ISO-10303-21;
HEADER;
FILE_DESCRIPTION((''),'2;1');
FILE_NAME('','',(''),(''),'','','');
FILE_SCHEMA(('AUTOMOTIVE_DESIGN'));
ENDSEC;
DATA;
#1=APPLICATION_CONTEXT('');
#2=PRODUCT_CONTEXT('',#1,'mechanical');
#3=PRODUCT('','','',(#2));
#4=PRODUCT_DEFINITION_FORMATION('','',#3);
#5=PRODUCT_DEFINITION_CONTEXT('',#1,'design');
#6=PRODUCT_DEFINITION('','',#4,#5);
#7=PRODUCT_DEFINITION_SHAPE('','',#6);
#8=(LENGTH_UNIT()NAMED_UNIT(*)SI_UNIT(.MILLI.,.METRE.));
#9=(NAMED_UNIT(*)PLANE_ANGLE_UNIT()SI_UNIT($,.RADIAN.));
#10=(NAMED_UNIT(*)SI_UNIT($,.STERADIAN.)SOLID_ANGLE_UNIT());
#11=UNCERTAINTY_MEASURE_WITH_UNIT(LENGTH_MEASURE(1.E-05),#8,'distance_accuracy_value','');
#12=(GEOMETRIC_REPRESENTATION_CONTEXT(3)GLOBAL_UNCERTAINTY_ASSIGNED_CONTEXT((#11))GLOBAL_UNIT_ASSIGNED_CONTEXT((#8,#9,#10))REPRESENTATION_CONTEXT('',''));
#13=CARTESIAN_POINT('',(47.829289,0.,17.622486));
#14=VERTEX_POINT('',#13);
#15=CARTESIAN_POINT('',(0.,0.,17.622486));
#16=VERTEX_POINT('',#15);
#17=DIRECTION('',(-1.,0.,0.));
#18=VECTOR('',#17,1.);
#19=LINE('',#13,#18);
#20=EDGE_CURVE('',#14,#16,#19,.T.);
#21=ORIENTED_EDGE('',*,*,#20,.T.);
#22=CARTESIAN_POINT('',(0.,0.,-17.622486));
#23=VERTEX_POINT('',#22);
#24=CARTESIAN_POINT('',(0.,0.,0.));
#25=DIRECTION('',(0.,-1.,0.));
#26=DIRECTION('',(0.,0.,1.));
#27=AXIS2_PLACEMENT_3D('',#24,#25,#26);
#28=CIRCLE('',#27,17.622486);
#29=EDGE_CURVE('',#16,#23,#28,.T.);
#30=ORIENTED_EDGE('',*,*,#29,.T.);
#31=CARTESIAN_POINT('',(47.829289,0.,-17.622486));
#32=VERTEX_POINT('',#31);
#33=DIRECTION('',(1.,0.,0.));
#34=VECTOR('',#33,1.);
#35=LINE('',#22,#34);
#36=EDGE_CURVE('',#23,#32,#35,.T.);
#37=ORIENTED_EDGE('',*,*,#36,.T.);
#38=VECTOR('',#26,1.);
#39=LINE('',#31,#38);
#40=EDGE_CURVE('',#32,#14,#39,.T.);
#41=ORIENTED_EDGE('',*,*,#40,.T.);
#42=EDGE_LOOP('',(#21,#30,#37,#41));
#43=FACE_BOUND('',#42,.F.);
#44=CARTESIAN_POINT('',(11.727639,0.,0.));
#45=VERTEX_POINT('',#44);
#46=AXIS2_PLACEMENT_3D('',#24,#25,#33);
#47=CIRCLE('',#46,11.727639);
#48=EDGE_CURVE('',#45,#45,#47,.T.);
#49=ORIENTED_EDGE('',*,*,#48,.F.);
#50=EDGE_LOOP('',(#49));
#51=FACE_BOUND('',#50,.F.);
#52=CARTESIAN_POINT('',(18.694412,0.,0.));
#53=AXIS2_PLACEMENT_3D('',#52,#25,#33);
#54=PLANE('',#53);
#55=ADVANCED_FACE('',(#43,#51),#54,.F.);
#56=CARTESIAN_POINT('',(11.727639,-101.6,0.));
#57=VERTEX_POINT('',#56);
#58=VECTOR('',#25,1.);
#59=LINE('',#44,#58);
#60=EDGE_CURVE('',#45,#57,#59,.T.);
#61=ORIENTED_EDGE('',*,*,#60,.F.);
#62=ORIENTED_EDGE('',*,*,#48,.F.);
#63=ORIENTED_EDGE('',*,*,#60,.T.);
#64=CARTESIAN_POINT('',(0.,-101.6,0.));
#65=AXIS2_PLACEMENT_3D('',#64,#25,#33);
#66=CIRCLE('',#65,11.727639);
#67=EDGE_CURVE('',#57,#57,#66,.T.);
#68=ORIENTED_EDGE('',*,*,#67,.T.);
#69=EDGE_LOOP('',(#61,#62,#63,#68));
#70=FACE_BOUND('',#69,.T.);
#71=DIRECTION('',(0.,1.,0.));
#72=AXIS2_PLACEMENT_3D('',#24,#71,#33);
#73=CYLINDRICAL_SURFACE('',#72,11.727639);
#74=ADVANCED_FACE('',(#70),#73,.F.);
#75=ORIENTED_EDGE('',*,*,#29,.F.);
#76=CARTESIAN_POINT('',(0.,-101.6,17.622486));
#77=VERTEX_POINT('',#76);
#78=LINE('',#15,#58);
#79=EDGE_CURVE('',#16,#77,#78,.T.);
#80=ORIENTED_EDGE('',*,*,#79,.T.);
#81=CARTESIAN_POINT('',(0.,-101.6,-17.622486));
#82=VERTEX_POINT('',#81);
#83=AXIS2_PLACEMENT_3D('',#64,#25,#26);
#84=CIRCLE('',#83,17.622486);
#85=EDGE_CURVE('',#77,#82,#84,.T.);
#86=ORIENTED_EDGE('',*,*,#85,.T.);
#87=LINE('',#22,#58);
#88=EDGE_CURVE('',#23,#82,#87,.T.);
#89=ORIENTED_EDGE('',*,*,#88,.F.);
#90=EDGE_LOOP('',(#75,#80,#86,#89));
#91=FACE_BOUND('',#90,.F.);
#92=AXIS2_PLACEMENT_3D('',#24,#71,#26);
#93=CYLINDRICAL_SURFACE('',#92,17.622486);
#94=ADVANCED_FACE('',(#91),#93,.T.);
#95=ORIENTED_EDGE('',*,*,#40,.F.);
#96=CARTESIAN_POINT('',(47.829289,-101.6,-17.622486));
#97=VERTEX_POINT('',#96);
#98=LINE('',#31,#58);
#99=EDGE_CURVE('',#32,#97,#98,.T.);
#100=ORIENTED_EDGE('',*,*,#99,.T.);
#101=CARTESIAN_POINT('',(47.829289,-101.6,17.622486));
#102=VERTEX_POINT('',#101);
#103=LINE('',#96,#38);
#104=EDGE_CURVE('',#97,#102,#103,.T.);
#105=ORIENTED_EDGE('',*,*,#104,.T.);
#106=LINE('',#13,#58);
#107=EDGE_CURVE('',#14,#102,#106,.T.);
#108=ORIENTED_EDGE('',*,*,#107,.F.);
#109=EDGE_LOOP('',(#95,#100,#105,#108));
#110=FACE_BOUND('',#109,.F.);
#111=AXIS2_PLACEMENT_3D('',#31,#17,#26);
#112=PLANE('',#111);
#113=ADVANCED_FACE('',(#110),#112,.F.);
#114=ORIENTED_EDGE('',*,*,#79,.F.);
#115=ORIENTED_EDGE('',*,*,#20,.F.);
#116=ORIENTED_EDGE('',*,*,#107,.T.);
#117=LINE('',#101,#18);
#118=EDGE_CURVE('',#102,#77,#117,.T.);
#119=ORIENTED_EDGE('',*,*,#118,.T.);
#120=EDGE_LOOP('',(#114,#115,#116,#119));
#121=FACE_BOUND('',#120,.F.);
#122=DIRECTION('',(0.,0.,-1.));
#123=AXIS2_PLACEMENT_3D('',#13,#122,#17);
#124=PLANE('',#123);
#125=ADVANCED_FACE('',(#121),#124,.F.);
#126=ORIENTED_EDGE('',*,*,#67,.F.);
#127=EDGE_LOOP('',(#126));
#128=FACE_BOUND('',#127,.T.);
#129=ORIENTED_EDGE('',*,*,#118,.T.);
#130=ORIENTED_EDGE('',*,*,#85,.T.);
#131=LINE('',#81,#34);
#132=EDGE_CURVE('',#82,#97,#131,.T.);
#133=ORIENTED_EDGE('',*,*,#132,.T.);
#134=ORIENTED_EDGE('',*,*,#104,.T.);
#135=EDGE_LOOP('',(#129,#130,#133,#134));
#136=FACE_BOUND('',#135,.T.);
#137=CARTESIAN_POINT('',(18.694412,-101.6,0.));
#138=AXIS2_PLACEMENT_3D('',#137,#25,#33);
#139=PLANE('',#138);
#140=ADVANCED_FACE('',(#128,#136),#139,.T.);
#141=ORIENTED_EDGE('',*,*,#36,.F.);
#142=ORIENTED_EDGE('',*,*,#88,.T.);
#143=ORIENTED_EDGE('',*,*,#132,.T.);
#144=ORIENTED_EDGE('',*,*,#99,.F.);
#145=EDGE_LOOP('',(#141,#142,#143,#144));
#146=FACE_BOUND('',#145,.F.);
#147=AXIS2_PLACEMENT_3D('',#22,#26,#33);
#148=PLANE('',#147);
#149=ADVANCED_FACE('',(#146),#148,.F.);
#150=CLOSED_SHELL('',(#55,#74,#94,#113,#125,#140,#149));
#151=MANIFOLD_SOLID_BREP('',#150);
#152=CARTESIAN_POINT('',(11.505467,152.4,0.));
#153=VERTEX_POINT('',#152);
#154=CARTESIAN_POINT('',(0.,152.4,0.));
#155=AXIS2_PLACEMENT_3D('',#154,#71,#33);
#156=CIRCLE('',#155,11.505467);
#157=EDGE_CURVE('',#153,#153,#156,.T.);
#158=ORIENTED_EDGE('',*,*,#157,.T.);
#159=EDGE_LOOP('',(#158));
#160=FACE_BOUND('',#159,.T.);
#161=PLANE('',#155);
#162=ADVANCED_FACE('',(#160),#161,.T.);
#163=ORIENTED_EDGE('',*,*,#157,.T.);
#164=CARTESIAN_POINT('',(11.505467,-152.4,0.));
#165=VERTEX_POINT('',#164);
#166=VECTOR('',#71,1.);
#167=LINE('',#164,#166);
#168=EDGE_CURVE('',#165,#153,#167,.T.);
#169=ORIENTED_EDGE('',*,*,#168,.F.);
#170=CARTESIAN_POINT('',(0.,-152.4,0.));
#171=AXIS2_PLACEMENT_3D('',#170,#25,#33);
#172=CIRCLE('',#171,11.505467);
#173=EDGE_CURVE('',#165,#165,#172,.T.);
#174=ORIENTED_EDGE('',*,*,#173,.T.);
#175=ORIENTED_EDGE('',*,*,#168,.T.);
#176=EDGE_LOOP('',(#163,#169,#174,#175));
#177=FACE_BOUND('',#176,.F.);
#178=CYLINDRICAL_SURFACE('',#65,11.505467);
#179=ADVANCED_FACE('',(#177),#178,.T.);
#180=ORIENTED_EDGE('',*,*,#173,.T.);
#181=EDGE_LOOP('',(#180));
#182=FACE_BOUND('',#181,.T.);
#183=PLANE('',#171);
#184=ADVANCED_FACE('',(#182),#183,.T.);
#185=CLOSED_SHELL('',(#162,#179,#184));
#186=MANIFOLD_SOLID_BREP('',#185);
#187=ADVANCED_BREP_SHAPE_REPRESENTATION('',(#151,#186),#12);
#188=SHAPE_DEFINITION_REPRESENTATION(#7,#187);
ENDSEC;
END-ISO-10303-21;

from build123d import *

# Parameters (mm, degrees)
F0_R      = 11.727639
F1_DEPTH  = 101.6
F2_R      = 11.505467
F3_DEPTH  = 50.8
F3_FACE_R = 11.505467
F4_DEPTH  = 254


with BuildPart() as f1:
    # F0 (on Front) → F1 (new body)
    with BuildSketch(Plane.XZ):
        with BuildLine():
            Line((47.829289, 17.622486), (0, 17.622486))
            ThreePointArc((0, 17.622486), (-17.622486, 0), (0, -17.622486))
            Line((0, -17.622486), (47.829289, -17.622486))
            Line((47.829289, -17.622486), (47.829289, 17.622486))
        make_face()
        Circle(F0_R, mode=Mode.SUBTRACT)
    extrude(amount=F1_DEPTH)


with BuildPart() as f3:
    # F2 (on face) → F3 (new body)
    with BuildSketch(Plane.XZ.offset(101.6)):
        Circle(F2_R)
    extrude(amount=F3_DEPTH)

    # F3_face (on face) → F4 (join)
    with BuildSketch(Plane(origin=(0, -101.6, 0), x_dir=(1, 0, 0), z_dir=(0, 1, 0))):
        Circle(F3_FACE_R)
    extrude(amount=F4_DEPTH)


solid = Compound([f1.part, f3.part])
